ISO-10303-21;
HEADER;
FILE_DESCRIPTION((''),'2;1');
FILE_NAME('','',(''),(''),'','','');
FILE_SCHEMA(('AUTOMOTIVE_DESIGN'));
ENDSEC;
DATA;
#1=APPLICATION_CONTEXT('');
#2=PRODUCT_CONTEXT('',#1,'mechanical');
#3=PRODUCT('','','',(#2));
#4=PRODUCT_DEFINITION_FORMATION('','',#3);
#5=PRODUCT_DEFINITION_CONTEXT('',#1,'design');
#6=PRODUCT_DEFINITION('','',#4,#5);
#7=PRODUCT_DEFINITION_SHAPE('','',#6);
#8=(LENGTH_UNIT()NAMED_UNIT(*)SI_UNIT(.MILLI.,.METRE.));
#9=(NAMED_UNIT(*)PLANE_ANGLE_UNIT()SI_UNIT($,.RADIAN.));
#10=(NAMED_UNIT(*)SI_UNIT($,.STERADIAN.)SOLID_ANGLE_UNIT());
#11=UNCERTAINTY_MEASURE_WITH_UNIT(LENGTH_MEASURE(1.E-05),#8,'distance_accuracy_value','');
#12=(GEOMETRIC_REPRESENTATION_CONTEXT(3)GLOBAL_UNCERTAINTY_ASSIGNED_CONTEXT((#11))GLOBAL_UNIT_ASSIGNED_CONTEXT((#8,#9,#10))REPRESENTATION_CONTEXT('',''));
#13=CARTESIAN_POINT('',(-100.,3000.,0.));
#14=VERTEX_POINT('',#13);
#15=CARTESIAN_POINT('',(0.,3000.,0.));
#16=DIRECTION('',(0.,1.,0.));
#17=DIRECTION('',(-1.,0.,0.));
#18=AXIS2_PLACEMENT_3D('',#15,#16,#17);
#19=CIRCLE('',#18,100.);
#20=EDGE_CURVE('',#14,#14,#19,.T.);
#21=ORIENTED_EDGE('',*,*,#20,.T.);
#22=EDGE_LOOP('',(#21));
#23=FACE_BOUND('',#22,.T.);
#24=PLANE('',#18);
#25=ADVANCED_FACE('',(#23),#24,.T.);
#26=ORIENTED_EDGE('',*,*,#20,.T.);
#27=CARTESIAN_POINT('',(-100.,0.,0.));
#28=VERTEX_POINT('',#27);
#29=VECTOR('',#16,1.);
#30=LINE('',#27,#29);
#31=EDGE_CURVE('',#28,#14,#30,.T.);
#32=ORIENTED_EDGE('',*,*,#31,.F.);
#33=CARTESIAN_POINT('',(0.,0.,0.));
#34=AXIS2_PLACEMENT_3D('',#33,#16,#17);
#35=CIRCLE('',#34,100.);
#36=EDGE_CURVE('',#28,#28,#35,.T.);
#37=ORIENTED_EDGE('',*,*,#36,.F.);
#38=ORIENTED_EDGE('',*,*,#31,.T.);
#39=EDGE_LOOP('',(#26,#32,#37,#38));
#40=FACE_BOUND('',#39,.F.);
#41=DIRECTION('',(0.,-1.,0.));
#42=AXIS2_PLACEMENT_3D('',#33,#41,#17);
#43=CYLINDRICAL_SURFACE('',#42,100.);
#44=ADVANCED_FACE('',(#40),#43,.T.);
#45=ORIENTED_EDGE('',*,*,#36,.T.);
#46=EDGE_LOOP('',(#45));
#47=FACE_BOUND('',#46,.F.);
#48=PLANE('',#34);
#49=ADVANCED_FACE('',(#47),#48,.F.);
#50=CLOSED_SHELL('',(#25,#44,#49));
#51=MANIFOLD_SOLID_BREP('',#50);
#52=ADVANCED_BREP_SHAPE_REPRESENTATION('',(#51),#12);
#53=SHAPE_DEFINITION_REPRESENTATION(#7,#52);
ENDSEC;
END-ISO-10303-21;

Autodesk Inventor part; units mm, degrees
ref_plane "YZ Plane" through (0, 0, 0) normal (1, 0, 0) x (0, 1, 0)
ref_plane "XZ Plane" through (0, 0, 0) normal (0, 1, 0) x (-1, 0, 0)
ref_plane "XY Plane" through (0, 0, 0) normal (0, 0, 1) x (1, 0, 0)
sketch "Sketch1" plane through (0, 0, 0) normal (0, 1, 0) x (-1, 0, 0)
  circle A0 centre (0, 0) radius 100
  dimension "d0" = 200
extrude "Extrusion1" add sketch "Sketch1" along normal blind 3000
properties part number "simple_object3"
